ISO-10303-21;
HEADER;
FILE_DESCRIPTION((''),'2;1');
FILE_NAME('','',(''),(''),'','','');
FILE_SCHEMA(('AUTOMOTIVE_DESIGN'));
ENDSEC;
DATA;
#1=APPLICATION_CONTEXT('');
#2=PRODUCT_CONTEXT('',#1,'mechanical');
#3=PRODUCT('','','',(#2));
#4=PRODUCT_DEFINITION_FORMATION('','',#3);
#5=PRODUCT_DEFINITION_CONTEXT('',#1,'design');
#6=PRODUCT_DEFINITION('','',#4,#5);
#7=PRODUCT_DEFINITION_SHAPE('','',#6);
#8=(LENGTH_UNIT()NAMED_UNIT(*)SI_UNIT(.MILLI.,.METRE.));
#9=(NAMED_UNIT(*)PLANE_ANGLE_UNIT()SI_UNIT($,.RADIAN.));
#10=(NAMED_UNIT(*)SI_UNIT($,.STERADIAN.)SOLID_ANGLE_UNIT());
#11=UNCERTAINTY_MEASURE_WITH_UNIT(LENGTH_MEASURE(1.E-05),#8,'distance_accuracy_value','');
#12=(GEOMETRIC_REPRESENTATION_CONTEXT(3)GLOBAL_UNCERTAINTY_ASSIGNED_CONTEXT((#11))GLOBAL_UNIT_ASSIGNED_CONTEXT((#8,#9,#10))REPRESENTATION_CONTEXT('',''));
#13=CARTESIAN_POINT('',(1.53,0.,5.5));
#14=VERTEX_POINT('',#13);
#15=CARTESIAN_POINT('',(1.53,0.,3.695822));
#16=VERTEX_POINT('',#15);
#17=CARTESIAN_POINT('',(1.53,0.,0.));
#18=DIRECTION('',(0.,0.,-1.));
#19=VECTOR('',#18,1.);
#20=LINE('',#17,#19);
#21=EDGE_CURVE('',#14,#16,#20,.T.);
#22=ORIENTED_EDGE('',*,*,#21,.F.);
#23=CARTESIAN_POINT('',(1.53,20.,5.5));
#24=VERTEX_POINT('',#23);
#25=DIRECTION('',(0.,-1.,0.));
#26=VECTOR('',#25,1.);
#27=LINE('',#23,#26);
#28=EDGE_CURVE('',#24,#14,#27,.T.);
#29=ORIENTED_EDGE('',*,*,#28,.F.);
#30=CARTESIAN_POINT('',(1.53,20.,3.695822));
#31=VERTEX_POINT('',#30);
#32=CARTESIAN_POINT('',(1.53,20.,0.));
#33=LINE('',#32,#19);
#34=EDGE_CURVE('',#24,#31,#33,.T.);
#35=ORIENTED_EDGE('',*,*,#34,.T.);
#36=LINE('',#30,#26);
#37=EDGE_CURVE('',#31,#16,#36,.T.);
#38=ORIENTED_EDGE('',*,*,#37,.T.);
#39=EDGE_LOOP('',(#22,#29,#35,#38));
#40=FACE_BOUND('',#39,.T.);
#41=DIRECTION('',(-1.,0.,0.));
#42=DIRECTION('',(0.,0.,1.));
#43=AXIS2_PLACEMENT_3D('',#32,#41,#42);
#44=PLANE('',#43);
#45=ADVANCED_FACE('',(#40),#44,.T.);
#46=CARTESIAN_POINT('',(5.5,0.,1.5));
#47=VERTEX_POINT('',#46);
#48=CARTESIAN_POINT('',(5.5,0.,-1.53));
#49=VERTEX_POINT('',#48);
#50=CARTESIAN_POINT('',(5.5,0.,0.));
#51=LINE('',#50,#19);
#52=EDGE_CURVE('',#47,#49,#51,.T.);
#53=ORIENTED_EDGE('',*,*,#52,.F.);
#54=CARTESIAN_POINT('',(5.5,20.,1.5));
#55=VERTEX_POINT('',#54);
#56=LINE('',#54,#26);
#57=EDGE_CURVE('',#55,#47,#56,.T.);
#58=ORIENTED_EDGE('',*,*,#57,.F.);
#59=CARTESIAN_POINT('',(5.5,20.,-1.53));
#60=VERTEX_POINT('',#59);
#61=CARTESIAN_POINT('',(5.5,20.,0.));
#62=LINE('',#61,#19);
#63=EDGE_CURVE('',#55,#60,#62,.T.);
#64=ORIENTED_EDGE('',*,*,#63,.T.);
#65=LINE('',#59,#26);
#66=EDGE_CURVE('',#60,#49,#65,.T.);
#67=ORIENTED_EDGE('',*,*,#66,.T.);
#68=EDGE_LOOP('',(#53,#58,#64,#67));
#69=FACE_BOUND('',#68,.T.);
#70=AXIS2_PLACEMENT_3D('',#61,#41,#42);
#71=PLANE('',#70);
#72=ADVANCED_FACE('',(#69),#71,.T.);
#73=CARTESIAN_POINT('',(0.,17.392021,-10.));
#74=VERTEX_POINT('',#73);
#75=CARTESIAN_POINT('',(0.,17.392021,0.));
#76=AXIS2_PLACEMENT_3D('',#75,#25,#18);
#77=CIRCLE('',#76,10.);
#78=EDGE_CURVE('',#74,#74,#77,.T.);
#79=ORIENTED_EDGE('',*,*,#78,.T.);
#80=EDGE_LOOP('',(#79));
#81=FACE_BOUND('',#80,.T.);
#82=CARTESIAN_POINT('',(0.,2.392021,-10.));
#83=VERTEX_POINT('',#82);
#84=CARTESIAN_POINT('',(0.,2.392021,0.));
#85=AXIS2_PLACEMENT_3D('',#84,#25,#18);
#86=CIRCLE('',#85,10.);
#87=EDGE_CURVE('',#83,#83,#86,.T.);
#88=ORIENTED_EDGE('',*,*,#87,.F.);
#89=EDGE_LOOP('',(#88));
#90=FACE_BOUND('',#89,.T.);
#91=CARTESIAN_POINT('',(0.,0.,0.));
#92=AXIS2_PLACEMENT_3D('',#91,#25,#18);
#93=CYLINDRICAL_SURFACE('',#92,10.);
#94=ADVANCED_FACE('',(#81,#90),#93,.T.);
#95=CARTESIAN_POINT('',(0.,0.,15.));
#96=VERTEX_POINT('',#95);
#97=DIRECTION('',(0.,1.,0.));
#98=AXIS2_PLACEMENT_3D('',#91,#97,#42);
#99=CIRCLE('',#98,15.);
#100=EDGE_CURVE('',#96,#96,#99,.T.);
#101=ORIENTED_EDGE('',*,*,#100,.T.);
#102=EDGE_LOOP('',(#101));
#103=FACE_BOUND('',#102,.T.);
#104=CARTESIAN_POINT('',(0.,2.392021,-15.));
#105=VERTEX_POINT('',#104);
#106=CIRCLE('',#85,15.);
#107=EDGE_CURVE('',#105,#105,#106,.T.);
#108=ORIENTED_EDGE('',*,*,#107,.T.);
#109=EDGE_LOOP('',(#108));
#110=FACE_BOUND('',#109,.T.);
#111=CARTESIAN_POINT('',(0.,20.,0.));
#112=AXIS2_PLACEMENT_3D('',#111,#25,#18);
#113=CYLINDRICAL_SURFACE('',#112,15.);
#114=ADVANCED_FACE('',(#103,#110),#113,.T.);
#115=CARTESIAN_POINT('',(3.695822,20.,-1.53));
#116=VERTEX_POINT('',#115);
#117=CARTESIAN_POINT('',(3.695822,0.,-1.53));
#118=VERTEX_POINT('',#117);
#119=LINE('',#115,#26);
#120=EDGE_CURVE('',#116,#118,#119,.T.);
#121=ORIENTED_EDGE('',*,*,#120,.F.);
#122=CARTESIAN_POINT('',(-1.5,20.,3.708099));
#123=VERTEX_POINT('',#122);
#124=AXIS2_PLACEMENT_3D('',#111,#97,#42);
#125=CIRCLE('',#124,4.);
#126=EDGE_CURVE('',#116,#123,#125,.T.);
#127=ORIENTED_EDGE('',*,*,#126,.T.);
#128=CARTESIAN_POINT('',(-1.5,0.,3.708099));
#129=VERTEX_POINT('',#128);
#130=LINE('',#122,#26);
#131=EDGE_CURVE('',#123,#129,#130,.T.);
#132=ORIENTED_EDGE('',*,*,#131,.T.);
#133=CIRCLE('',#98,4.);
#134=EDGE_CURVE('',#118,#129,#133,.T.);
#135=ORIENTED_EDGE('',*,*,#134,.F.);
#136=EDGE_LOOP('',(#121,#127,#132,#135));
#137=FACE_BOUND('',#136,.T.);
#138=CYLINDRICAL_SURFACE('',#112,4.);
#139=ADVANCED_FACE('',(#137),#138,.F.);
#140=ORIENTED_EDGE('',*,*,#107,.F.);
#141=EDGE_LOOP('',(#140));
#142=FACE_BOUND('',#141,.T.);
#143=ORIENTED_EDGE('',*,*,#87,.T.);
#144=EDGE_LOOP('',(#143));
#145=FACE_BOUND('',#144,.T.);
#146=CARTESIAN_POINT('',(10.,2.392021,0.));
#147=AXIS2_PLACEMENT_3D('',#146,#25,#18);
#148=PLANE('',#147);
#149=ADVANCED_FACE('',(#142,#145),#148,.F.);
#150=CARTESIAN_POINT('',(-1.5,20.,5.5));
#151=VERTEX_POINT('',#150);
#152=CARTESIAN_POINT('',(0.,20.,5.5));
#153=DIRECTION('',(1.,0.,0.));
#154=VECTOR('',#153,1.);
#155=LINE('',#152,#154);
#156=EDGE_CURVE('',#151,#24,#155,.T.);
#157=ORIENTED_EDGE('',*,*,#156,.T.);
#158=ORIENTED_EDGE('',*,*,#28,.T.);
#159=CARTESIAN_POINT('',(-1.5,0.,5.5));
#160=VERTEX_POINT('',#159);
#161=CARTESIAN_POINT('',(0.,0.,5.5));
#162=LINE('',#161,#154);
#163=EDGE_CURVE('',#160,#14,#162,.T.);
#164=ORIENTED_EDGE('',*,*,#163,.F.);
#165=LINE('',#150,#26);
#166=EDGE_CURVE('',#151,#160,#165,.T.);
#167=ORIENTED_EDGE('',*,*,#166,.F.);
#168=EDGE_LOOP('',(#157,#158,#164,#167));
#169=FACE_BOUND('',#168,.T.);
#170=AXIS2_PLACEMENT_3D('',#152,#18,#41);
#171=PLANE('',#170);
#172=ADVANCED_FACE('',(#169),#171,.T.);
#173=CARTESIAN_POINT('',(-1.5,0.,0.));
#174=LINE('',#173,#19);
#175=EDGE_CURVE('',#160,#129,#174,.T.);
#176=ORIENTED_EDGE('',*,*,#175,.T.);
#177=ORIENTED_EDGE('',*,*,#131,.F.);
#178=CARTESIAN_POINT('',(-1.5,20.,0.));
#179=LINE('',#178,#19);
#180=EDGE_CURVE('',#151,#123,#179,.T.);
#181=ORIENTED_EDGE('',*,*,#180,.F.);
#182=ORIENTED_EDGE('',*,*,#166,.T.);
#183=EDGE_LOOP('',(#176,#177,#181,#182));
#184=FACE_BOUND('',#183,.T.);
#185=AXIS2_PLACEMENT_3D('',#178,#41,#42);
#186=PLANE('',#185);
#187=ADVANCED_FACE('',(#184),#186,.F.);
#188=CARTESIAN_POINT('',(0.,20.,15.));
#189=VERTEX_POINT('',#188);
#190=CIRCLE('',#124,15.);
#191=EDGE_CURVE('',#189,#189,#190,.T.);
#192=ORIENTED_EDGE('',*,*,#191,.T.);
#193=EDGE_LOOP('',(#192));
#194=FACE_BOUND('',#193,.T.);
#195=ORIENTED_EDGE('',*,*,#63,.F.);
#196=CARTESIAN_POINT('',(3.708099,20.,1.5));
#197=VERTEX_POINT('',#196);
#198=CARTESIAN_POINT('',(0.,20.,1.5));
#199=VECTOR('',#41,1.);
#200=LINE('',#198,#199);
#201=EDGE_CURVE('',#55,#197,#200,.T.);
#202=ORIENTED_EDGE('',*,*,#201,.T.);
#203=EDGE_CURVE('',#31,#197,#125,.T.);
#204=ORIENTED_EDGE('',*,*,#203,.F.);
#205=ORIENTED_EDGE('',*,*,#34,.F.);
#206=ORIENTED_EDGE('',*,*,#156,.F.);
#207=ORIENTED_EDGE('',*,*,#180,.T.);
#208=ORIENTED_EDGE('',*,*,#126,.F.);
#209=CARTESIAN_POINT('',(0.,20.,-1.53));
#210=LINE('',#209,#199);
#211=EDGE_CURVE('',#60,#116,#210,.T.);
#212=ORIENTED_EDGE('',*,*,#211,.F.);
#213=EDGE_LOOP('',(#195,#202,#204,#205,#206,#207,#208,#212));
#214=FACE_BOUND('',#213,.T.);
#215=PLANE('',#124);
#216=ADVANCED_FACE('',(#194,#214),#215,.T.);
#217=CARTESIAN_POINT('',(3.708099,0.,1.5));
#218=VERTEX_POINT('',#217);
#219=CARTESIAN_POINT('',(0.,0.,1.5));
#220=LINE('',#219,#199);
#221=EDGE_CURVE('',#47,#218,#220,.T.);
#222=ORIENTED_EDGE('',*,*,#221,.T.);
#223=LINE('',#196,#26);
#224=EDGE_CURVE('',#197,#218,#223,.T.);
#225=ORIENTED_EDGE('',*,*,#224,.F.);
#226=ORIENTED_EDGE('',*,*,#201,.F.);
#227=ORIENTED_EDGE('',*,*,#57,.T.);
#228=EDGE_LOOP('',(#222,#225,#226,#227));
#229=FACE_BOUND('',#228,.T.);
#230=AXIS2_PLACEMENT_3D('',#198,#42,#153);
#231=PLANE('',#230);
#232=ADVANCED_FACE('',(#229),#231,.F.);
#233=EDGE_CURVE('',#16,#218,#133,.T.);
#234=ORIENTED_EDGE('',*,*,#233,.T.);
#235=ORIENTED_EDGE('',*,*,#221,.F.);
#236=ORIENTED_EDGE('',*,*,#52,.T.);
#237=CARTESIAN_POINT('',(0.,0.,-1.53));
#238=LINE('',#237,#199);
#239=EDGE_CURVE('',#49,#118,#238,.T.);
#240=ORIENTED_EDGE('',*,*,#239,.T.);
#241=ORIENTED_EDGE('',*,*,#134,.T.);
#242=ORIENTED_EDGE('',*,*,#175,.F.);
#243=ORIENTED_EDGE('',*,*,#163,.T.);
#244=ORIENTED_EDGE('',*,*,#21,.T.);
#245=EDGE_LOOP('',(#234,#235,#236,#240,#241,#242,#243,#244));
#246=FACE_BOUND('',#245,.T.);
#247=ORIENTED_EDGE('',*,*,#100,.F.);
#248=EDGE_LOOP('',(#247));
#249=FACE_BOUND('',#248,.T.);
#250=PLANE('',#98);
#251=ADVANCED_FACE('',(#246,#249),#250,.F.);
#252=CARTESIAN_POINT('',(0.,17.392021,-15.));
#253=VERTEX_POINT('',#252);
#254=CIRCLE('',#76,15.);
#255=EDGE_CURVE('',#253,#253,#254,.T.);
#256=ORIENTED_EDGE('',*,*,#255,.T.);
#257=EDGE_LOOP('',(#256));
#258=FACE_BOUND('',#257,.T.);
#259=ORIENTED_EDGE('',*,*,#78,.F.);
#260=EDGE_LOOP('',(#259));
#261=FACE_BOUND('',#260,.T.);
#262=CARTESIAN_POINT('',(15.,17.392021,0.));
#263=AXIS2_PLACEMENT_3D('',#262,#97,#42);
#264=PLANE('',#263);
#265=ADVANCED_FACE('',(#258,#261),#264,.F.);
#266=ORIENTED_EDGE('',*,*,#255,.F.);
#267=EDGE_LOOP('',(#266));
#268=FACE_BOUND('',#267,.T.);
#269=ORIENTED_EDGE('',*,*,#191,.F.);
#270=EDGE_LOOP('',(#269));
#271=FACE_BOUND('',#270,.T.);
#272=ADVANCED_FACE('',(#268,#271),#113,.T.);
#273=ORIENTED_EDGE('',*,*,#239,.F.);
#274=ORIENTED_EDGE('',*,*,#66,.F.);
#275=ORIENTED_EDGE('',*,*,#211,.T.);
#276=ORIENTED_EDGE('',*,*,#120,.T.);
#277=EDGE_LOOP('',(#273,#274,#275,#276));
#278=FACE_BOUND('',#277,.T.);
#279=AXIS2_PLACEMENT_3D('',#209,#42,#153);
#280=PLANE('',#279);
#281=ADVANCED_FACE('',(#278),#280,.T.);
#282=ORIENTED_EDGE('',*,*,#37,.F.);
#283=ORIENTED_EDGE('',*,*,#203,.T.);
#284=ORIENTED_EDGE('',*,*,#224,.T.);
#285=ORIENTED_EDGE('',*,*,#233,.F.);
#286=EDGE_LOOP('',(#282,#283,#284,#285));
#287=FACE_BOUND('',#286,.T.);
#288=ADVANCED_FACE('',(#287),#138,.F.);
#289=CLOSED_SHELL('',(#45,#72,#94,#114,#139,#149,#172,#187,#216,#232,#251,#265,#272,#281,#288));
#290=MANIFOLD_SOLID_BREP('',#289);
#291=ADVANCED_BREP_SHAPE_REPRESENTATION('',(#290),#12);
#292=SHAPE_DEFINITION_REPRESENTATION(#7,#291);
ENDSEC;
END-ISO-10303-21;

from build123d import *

# Parameters (mm, degrees)
SKETCH_1_R      = 15
EXTRUDE_1_DEPTH = 20
SKETCH_2_W      = 5
SKETCH_2_H      = 15


with BuildPart() as part:
    # 草图1 → 凸台-拉伸1 (new body)
    with BuildSketch(Plane(origin=(0, 0, 0), x_dir=(1, 0, 0), z_dir=(0, 1, 0))):
        Circle(SKETCH_1_R)
        with BuildLine():
            Line((1.53, -5.5), (0, -5.5))
            Line((0, -5.5), (-1.5, -5.5))
            Line((-1.5, -5.5), (-1.5, -3.708099244))
            ThreePointArc((-1.5, -3.708099244), (-2.839864336, 2.816943477), (3.695821965, 1.53))
            Line((3.695821965, 1.53), (5.5, 1.53))
            Line((5.5, 1.53), (5.5, 0))
            Line((5.5, 0), (5.5, -1.5))
            Line((5.5, -1.5), (3.708099244, -1.5))
            ThreePointArc((3.708099244, -1.5), (2.839864336, -2.816943477), (1.53, -3.695821965))
            Line((1.53, -3.695821965), (1.53, -5.5))
        make_face(mode=Mode.SUBTRACT)
    extrude(amount=EXTRUDE_1_DEPTH)

    # 草图2 → 切除-旋转1 (revolve, cut)
    with BuildSketch(Plane.XY):
        with Locations((12.5, 9.892021361)):
            Rectangle(SKETCH_2_W, SKETCH_2_H)
    revolve(axis=Axis((0, 0, 0), (0, 1, 0)), mode=Mode.SUBTRACT)


solid = part.part
